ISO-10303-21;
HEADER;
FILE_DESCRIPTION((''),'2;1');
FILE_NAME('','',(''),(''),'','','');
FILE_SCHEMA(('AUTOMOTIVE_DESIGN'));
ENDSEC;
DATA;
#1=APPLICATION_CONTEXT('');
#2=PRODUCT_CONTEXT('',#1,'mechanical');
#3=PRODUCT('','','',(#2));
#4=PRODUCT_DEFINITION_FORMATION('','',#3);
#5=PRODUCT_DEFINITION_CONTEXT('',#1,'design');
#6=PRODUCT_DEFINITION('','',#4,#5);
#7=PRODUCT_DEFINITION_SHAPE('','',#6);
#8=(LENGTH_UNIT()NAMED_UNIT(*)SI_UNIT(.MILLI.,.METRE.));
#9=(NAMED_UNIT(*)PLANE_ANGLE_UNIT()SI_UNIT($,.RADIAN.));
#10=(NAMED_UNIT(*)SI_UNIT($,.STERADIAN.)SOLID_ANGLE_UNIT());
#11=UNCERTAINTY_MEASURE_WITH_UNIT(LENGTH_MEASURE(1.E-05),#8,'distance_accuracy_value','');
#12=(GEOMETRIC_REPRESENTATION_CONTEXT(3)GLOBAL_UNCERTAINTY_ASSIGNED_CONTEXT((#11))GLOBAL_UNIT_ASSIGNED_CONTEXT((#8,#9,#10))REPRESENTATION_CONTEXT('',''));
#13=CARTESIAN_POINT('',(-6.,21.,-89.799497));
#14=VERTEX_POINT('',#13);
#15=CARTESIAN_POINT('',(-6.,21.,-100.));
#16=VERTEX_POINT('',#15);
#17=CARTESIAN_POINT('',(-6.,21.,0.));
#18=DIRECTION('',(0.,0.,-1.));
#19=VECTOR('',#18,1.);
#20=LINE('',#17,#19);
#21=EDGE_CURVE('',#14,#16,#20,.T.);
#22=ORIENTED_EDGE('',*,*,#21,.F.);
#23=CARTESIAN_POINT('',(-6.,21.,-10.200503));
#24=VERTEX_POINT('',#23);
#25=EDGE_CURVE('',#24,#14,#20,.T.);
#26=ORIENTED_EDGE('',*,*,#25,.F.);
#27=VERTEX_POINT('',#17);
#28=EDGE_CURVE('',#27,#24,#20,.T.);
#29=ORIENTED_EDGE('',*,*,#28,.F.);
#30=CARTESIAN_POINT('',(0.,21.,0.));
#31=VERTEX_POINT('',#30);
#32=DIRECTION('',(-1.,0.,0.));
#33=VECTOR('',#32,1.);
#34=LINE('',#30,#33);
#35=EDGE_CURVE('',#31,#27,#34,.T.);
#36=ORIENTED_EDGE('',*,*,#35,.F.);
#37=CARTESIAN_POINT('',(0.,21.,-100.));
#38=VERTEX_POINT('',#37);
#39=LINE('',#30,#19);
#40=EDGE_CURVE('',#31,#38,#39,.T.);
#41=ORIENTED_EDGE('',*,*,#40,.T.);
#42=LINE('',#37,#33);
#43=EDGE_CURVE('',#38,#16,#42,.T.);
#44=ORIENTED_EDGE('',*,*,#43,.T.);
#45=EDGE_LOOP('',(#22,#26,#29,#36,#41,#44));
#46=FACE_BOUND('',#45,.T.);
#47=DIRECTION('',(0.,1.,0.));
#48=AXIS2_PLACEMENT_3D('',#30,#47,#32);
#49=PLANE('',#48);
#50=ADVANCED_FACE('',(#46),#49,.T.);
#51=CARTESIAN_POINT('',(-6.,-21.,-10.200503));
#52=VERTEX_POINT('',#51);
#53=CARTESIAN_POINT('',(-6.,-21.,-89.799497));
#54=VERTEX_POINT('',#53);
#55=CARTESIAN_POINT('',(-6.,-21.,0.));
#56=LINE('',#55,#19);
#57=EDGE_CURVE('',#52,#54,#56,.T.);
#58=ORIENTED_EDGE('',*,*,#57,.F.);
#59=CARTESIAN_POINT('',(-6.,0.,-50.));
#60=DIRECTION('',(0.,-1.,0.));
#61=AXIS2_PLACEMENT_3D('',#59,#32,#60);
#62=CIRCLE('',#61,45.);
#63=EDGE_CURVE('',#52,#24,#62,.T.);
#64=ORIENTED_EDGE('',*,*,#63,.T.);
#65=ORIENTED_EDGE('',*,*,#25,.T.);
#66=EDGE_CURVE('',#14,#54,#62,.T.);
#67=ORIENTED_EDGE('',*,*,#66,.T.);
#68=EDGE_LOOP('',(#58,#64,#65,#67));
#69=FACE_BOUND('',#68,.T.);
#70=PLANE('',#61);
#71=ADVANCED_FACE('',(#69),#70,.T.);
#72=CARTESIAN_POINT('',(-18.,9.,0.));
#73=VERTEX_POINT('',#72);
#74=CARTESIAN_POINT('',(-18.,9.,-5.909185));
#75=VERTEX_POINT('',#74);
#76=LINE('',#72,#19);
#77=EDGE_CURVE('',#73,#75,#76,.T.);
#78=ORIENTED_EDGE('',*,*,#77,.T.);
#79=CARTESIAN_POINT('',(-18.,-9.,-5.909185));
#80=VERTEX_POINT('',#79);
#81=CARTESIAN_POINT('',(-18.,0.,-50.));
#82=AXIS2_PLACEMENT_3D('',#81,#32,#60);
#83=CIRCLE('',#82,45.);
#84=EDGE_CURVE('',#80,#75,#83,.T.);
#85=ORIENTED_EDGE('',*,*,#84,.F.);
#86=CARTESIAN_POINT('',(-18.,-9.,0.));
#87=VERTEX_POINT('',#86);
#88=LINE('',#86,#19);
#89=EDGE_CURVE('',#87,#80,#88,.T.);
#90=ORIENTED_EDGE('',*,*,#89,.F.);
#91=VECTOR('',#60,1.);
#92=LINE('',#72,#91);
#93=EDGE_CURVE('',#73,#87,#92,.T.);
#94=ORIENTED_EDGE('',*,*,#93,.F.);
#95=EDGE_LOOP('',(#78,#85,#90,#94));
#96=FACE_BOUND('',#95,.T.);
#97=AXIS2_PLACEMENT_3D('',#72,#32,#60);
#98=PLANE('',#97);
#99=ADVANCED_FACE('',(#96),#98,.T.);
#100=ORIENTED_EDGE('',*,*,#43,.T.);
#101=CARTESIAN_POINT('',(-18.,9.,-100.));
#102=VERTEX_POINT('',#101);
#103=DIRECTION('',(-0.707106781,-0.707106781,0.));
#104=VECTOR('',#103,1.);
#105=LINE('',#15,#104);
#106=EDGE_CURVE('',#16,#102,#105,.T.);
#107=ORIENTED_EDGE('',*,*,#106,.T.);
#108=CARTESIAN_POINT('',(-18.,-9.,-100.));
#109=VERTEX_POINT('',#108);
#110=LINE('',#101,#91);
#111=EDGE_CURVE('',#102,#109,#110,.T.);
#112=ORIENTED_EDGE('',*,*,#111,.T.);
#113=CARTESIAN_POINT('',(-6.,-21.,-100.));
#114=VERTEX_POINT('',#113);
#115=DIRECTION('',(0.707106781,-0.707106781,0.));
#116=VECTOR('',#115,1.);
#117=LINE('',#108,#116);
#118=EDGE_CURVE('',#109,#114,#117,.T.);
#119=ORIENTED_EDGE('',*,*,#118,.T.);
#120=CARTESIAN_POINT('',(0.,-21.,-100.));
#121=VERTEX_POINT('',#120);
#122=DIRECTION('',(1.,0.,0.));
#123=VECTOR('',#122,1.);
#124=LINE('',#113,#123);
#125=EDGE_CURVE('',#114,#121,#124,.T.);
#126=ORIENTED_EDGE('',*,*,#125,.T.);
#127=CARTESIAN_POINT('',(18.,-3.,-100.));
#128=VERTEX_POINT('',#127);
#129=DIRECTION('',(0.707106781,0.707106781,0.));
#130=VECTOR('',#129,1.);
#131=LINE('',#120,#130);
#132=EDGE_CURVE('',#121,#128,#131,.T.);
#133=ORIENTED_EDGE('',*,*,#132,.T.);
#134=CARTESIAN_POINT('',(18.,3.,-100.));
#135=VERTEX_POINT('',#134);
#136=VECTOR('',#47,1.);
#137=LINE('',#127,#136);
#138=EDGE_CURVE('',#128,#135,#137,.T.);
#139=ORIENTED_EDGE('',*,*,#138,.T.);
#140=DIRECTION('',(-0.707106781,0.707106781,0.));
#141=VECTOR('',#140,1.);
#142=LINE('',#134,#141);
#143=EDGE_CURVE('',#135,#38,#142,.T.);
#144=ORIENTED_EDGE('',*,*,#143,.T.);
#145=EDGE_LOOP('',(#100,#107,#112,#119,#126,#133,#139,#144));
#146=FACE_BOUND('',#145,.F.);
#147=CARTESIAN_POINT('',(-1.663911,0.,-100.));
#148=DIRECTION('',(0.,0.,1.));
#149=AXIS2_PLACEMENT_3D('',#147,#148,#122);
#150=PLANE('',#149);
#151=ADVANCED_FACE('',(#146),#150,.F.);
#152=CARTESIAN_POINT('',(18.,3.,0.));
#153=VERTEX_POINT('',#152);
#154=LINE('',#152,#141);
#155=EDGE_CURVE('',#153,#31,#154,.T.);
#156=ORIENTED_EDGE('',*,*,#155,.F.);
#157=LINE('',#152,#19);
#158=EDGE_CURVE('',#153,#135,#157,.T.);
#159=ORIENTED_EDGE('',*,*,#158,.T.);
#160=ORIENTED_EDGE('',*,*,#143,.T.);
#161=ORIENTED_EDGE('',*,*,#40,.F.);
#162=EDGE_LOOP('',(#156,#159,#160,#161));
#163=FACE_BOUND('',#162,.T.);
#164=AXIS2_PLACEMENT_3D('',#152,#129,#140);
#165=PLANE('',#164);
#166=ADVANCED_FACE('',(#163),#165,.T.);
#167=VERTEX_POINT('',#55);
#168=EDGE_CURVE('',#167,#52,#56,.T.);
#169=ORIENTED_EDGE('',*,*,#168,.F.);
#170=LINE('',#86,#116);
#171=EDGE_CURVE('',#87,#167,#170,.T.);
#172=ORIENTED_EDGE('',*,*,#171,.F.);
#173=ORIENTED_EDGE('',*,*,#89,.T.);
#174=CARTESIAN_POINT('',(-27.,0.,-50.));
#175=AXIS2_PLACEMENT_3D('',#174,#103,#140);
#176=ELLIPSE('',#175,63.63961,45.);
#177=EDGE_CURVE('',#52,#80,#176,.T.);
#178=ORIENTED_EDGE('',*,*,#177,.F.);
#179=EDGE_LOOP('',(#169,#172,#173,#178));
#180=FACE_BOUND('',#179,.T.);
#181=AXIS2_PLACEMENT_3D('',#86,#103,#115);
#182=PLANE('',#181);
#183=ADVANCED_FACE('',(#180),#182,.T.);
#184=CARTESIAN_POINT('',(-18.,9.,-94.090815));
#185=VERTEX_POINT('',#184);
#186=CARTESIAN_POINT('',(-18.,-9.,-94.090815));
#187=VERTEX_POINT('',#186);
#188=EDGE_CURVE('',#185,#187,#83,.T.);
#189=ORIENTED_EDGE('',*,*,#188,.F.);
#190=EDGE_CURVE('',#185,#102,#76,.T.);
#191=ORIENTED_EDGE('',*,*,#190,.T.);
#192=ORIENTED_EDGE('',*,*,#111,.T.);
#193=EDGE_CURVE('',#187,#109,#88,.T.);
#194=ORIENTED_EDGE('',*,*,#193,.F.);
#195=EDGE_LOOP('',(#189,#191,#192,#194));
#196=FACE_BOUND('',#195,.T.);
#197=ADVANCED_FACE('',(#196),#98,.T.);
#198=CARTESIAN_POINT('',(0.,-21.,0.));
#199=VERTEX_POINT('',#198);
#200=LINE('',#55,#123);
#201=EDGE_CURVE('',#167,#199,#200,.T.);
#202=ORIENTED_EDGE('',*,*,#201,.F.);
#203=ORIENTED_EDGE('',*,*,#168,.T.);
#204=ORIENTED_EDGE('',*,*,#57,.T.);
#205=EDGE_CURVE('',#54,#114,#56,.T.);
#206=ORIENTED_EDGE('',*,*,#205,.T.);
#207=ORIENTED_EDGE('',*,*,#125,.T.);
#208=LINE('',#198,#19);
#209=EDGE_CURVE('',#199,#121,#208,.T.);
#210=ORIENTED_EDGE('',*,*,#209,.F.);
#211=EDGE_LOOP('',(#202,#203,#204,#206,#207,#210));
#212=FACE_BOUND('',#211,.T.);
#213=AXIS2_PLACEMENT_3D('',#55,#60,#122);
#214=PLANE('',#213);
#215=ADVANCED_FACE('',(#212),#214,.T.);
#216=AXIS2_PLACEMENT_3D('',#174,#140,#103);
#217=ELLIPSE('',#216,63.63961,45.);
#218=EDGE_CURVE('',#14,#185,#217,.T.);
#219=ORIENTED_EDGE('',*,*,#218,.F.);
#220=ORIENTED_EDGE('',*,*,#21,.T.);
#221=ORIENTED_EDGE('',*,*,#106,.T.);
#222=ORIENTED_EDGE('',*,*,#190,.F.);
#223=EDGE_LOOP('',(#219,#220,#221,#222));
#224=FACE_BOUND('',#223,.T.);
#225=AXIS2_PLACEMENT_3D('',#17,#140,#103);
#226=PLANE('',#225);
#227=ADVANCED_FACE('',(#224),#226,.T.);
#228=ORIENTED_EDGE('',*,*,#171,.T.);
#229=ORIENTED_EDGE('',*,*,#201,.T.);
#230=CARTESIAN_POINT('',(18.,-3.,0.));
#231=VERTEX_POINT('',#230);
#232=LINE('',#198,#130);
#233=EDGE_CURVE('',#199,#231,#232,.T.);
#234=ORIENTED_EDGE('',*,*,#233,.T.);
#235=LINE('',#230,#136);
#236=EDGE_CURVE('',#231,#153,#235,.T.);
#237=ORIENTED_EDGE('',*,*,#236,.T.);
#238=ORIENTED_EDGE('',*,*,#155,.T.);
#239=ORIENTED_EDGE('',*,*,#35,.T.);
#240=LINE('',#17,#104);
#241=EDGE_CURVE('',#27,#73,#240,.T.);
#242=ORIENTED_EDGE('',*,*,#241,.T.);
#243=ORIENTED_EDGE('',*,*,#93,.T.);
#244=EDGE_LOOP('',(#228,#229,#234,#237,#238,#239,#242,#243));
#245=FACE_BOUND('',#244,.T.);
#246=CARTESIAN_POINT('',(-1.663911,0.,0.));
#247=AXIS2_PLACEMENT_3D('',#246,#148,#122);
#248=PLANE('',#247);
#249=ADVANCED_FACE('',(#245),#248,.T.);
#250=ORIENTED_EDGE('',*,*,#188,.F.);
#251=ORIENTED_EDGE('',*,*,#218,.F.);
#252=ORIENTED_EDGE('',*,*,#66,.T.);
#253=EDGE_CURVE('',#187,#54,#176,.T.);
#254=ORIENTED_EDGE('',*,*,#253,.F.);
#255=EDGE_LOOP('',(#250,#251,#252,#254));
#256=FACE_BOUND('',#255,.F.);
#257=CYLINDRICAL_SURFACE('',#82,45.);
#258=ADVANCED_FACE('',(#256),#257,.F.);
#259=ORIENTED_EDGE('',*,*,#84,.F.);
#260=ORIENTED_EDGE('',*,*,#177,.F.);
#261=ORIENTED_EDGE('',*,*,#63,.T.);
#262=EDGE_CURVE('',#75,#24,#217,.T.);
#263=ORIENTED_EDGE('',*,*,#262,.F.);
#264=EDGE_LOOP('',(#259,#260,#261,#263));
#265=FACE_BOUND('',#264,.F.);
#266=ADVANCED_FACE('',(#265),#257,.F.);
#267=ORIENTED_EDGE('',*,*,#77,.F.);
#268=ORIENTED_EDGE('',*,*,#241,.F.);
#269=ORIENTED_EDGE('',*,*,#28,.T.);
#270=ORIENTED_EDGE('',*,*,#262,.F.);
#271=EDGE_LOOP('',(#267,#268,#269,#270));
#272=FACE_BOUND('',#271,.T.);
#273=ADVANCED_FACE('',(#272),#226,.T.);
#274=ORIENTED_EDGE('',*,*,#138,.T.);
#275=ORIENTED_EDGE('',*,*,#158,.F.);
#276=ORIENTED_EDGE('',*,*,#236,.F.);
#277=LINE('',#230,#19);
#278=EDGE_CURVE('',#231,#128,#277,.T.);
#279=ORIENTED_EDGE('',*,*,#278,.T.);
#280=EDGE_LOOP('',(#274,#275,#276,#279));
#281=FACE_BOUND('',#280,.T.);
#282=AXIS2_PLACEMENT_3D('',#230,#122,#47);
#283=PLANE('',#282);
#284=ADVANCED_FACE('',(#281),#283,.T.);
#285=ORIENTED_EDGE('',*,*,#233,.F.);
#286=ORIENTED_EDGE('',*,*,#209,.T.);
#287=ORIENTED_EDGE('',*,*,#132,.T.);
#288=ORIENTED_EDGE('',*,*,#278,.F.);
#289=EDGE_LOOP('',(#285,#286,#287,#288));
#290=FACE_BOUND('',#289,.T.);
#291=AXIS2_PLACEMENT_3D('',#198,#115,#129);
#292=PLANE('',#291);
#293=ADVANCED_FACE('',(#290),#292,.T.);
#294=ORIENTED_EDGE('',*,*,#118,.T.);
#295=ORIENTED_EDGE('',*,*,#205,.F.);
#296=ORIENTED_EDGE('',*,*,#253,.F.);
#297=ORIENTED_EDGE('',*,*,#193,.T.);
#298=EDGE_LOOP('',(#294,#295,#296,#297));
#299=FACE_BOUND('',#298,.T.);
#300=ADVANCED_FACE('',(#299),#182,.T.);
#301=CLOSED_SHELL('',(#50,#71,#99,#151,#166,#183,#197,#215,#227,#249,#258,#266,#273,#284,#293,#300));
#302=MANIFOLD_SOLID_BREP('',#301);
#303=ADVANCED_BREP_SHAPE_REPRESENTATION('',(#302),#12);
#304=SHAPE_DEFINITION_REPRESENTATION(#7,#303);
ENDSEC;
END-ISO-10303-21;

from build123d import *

# Parameters (mm, degrees)
PAD_DEPTH   = 100
SKETCH001_R = 45
HOLE_DEPTH  = 12


with BuildPart() as part:
    # Sketch → Pad (new body)
    with BuildSketch(Plane.XY):
        Polygon((-18, 9), (-18, -9), (-6, -21), (0, -21), (18, -3), (18, 3), (0, 21), (-6, 21), align=None)
    extrude(amount=-PAD_DEPTH)

    # Sketch001 (on Face1 of Pad) → Hole (cut)
    with BuildSketch(Plane(origin=(-18, 0, 0), x_dir=(0, -1, 0), z_dir=(-1, 0, 0))):
        with Locations((0, -50)):
            Circle(SKETCH001_R)
    extrude(amount=-HOLE_DEPTH, mode=Mode.SUBTRACT)


solid = part.part
